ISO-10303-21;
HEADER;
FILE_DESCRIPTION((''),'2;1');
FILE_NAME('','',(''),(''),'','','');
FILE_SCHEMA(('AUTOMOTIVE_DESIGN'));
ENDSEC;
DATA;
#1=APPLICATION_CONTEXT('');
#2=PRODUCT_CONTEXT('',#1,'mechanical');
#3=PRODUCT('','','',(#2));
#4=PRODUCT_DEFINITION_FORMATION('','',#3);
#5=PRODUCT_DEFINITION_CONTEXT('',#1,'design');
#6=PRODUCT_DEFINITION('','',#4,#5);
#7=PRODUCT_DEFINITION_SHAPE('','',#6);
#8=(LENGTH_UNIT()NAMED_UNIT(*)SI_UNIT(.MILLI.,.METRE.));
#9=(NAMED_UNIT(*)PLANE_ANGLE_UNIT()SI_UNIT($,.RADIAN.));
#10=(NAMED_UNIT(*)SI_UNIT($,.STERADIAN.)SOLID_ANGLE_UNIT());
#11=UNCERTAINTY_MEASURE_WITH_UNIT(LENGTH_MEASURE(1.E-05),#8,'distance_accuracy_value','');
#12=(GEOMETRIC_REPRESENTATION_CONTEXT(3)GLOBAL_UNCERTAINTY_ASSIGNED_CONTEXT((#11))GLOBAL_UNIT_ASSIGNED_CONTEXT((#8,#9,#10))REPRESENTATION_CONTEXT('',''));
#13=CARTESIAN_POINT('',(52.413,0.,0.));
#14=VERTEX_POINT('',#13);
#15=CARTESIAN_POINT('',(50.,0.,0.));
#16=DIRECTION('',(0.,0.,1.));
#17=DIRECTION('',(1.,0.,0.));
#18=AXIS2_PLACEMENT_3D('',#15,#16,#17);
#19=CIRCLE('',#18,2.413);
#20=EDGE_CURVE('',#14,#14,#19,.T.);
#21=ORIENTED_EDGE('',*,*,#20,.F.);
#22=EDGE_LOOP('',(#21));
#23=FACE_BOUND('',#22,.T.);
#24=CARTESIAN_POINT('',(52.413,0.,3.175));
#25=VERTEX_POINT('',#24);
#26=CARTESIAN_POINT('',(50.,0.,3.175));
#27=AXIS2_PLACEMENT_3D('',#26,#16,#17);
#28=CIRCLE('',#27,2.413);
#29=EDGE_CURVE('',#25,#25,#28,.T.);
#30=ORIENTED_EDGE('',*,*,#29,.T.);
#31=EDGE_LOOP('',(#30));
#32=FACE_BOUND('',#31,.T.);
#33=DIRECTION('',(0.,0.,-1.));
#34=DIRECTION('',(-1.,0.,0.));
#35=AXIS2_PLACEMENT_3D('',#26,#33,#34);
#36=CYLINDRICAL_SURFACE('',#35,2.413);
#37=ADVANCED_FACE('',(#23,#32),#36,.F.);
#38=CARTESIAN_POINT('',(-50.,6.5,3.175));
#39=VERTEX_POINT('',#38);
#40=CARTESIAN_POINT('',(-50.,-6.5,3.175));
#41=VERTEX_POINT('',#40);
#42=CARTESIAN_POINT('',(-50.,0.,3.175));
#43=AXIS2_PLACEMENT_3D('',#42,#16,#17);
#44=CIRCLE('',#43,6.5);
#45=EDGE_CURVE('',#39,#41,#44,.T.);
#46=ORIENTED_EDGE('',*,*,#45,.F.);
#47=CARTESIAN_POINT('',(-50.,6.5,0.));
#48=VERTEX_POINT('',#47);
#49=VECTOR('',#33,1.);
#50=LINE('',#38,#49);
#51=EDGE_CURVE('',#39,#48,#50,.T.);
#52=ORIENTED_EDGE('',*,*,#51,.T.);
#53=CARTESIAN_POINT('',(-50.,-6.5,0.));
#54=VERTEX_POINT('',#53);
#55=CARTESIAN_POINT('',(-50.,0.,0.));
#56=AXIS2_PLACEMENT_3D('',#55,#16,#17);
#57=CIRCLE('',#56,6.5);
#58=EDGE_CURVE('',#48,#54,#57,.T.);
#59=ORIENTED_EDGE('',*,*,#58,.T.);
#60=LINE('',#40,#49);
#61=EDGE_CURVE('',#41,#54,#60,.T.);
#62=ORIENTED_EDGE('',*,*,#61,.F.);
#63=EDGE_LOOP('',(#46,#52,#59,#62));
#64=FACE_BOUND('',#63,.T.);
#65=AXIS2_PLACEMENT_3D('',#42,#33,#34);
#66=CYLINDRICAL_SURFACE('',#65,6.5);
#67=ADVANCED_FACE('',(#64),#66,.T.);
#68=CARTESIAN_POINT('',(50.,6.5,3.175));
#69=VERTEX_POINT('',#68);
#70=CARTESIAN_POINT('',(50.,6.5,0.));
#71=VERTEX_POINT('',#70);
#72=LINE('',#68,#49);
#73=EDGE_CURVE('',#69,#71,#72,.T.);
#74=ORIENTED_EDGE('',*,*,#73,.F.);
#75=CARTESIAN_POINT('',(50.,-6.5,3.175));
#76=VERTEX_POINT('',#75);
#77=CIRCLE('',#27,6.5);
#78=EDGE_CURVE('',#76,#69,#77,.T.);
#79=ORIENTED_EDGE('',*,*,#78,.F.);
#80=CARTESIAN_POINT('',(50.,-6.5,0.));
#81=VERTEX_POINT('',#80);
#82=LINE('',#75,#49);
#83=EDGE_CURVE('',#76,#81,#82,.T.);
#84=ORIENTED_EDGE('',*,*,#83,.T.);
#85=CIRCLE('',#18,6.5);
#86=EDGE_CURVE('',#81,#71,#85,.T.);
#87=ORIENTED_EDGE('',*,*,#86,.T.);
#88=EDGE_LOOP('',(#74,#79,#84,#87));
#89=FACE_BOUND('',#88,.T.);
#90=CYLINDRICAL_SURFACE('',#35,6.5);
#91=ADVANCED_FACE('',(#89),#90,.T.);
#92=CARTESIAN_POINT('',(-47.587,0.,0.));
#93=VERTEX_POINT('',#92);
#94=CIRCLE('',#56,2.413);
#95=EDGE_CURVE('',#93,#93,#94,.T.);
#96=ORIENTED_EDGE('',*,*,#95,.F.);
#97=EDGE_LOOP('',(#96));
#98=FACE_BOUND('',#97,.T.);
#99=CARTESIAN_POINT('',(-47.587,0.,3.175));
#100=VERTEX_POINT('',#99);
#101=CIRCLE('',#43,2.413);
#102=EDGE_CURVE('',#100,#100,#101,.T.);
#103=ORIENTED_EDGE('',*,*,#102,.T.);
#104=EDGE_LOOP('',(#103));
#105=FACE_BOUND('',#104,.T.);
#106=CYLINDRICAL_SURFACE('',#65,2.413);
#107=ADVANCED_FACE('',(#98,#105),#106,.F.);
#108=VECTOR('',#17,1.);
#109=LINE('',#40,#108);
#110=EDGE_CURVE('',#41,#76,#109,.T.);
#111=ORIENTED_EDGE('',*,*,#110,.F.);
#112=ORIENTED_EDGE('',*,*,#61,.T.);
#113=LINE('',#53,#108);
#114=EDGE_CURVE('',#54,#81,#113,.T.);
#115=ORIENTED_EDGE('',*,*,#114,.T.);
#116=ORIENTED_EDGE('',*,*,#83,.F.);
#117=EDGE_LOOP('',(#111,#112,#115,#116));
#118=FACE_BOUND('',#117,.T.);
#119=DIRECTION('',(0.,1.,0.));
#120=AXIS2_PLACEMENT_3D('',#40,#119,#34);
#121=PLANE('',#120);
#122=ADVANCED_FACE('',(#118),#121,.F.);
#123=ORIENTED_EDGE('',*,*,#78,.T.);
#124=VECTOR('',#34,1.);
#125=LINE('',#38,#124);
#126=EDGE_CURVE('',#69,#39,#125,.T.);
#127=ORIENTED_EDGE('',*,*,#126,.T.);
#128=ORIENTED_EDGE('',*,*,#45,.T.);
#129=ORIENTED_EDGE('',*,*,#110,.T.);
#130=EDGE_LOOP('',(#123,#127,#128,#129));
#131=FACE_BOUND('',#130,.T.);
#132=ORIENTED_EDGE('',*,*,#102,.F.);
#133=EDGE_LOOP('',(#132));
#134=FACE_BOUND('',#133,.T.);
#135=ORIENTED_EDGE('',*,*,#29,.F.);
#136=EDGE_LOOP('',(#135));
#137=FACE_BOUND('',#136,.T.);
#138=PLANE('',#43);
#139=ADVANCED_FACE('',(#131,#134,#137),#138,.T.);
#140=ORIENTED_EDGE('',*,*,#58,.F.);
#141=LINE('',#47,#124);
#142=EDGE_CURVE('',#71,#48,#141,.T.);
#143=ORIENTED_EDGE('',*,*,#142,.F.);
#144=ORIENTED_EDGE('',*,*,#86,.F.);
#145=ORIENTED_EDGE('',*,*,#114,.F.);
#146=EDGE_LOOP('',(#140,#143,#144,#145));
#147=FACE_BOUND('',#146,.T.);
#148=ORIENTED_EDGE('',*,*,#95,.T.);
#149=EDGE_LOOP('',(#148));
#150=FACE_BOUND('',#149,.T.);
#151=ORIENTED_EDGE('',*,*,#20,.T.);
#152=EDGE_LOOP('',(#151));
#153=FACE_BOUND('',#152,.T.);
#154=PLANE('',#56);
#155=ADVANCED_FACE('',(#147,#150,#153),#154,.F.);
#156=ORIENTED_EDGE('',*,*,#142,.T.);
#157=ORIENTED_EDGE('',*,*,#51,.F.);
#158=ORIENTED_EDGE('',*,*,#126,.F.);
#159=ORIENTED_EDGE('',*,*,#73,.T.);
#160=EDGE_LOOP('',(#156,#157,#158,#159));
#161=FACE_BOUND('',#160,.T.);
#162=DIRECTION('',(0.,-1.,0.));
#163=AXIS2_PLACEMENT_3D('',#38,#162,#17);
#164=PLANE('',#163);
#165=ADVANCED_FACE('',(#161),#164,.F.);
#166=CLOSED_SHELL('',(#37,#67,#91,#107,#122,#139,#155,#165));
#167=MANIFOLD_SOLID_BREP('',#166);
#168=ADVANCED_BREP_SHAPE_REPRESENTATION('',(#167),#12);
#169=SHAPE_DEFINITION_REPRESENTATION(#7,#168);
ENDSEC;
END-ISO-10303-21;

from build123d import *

# Parameters (mm, degrees)
SKETCH1_R           = 2.413
BOSS_EXTRUDE1_DEPTH = 3.175


with BuildPart() as part:
    # Sketch1 → Boss-Extrude1 (new body)
    with BuildSketch(Plane.XY):
        with BuildLine():
            Line((-50, 6.5), (50, 6.5))
            ThreePointArc((50, 6.5), (56.5, 0), (50, -6.5))
            Line((50, -6.5), (-50, -6.5))
            ThreePointArc((-50, -6.5), (-56.5, 0), (-50, 6.5))
        make_face()
        with Locations((-50, 0)):
            Circle(SKETCH1_R, mode=Mode.SUBTRACT)
        with Locations((50, 0)):
            Circle(SKETCH1_R, mode=Mode.SUBTRACT)
    extrude(amount=BOSS_EXTRUDE1_DEPTH)


solid = part.part
